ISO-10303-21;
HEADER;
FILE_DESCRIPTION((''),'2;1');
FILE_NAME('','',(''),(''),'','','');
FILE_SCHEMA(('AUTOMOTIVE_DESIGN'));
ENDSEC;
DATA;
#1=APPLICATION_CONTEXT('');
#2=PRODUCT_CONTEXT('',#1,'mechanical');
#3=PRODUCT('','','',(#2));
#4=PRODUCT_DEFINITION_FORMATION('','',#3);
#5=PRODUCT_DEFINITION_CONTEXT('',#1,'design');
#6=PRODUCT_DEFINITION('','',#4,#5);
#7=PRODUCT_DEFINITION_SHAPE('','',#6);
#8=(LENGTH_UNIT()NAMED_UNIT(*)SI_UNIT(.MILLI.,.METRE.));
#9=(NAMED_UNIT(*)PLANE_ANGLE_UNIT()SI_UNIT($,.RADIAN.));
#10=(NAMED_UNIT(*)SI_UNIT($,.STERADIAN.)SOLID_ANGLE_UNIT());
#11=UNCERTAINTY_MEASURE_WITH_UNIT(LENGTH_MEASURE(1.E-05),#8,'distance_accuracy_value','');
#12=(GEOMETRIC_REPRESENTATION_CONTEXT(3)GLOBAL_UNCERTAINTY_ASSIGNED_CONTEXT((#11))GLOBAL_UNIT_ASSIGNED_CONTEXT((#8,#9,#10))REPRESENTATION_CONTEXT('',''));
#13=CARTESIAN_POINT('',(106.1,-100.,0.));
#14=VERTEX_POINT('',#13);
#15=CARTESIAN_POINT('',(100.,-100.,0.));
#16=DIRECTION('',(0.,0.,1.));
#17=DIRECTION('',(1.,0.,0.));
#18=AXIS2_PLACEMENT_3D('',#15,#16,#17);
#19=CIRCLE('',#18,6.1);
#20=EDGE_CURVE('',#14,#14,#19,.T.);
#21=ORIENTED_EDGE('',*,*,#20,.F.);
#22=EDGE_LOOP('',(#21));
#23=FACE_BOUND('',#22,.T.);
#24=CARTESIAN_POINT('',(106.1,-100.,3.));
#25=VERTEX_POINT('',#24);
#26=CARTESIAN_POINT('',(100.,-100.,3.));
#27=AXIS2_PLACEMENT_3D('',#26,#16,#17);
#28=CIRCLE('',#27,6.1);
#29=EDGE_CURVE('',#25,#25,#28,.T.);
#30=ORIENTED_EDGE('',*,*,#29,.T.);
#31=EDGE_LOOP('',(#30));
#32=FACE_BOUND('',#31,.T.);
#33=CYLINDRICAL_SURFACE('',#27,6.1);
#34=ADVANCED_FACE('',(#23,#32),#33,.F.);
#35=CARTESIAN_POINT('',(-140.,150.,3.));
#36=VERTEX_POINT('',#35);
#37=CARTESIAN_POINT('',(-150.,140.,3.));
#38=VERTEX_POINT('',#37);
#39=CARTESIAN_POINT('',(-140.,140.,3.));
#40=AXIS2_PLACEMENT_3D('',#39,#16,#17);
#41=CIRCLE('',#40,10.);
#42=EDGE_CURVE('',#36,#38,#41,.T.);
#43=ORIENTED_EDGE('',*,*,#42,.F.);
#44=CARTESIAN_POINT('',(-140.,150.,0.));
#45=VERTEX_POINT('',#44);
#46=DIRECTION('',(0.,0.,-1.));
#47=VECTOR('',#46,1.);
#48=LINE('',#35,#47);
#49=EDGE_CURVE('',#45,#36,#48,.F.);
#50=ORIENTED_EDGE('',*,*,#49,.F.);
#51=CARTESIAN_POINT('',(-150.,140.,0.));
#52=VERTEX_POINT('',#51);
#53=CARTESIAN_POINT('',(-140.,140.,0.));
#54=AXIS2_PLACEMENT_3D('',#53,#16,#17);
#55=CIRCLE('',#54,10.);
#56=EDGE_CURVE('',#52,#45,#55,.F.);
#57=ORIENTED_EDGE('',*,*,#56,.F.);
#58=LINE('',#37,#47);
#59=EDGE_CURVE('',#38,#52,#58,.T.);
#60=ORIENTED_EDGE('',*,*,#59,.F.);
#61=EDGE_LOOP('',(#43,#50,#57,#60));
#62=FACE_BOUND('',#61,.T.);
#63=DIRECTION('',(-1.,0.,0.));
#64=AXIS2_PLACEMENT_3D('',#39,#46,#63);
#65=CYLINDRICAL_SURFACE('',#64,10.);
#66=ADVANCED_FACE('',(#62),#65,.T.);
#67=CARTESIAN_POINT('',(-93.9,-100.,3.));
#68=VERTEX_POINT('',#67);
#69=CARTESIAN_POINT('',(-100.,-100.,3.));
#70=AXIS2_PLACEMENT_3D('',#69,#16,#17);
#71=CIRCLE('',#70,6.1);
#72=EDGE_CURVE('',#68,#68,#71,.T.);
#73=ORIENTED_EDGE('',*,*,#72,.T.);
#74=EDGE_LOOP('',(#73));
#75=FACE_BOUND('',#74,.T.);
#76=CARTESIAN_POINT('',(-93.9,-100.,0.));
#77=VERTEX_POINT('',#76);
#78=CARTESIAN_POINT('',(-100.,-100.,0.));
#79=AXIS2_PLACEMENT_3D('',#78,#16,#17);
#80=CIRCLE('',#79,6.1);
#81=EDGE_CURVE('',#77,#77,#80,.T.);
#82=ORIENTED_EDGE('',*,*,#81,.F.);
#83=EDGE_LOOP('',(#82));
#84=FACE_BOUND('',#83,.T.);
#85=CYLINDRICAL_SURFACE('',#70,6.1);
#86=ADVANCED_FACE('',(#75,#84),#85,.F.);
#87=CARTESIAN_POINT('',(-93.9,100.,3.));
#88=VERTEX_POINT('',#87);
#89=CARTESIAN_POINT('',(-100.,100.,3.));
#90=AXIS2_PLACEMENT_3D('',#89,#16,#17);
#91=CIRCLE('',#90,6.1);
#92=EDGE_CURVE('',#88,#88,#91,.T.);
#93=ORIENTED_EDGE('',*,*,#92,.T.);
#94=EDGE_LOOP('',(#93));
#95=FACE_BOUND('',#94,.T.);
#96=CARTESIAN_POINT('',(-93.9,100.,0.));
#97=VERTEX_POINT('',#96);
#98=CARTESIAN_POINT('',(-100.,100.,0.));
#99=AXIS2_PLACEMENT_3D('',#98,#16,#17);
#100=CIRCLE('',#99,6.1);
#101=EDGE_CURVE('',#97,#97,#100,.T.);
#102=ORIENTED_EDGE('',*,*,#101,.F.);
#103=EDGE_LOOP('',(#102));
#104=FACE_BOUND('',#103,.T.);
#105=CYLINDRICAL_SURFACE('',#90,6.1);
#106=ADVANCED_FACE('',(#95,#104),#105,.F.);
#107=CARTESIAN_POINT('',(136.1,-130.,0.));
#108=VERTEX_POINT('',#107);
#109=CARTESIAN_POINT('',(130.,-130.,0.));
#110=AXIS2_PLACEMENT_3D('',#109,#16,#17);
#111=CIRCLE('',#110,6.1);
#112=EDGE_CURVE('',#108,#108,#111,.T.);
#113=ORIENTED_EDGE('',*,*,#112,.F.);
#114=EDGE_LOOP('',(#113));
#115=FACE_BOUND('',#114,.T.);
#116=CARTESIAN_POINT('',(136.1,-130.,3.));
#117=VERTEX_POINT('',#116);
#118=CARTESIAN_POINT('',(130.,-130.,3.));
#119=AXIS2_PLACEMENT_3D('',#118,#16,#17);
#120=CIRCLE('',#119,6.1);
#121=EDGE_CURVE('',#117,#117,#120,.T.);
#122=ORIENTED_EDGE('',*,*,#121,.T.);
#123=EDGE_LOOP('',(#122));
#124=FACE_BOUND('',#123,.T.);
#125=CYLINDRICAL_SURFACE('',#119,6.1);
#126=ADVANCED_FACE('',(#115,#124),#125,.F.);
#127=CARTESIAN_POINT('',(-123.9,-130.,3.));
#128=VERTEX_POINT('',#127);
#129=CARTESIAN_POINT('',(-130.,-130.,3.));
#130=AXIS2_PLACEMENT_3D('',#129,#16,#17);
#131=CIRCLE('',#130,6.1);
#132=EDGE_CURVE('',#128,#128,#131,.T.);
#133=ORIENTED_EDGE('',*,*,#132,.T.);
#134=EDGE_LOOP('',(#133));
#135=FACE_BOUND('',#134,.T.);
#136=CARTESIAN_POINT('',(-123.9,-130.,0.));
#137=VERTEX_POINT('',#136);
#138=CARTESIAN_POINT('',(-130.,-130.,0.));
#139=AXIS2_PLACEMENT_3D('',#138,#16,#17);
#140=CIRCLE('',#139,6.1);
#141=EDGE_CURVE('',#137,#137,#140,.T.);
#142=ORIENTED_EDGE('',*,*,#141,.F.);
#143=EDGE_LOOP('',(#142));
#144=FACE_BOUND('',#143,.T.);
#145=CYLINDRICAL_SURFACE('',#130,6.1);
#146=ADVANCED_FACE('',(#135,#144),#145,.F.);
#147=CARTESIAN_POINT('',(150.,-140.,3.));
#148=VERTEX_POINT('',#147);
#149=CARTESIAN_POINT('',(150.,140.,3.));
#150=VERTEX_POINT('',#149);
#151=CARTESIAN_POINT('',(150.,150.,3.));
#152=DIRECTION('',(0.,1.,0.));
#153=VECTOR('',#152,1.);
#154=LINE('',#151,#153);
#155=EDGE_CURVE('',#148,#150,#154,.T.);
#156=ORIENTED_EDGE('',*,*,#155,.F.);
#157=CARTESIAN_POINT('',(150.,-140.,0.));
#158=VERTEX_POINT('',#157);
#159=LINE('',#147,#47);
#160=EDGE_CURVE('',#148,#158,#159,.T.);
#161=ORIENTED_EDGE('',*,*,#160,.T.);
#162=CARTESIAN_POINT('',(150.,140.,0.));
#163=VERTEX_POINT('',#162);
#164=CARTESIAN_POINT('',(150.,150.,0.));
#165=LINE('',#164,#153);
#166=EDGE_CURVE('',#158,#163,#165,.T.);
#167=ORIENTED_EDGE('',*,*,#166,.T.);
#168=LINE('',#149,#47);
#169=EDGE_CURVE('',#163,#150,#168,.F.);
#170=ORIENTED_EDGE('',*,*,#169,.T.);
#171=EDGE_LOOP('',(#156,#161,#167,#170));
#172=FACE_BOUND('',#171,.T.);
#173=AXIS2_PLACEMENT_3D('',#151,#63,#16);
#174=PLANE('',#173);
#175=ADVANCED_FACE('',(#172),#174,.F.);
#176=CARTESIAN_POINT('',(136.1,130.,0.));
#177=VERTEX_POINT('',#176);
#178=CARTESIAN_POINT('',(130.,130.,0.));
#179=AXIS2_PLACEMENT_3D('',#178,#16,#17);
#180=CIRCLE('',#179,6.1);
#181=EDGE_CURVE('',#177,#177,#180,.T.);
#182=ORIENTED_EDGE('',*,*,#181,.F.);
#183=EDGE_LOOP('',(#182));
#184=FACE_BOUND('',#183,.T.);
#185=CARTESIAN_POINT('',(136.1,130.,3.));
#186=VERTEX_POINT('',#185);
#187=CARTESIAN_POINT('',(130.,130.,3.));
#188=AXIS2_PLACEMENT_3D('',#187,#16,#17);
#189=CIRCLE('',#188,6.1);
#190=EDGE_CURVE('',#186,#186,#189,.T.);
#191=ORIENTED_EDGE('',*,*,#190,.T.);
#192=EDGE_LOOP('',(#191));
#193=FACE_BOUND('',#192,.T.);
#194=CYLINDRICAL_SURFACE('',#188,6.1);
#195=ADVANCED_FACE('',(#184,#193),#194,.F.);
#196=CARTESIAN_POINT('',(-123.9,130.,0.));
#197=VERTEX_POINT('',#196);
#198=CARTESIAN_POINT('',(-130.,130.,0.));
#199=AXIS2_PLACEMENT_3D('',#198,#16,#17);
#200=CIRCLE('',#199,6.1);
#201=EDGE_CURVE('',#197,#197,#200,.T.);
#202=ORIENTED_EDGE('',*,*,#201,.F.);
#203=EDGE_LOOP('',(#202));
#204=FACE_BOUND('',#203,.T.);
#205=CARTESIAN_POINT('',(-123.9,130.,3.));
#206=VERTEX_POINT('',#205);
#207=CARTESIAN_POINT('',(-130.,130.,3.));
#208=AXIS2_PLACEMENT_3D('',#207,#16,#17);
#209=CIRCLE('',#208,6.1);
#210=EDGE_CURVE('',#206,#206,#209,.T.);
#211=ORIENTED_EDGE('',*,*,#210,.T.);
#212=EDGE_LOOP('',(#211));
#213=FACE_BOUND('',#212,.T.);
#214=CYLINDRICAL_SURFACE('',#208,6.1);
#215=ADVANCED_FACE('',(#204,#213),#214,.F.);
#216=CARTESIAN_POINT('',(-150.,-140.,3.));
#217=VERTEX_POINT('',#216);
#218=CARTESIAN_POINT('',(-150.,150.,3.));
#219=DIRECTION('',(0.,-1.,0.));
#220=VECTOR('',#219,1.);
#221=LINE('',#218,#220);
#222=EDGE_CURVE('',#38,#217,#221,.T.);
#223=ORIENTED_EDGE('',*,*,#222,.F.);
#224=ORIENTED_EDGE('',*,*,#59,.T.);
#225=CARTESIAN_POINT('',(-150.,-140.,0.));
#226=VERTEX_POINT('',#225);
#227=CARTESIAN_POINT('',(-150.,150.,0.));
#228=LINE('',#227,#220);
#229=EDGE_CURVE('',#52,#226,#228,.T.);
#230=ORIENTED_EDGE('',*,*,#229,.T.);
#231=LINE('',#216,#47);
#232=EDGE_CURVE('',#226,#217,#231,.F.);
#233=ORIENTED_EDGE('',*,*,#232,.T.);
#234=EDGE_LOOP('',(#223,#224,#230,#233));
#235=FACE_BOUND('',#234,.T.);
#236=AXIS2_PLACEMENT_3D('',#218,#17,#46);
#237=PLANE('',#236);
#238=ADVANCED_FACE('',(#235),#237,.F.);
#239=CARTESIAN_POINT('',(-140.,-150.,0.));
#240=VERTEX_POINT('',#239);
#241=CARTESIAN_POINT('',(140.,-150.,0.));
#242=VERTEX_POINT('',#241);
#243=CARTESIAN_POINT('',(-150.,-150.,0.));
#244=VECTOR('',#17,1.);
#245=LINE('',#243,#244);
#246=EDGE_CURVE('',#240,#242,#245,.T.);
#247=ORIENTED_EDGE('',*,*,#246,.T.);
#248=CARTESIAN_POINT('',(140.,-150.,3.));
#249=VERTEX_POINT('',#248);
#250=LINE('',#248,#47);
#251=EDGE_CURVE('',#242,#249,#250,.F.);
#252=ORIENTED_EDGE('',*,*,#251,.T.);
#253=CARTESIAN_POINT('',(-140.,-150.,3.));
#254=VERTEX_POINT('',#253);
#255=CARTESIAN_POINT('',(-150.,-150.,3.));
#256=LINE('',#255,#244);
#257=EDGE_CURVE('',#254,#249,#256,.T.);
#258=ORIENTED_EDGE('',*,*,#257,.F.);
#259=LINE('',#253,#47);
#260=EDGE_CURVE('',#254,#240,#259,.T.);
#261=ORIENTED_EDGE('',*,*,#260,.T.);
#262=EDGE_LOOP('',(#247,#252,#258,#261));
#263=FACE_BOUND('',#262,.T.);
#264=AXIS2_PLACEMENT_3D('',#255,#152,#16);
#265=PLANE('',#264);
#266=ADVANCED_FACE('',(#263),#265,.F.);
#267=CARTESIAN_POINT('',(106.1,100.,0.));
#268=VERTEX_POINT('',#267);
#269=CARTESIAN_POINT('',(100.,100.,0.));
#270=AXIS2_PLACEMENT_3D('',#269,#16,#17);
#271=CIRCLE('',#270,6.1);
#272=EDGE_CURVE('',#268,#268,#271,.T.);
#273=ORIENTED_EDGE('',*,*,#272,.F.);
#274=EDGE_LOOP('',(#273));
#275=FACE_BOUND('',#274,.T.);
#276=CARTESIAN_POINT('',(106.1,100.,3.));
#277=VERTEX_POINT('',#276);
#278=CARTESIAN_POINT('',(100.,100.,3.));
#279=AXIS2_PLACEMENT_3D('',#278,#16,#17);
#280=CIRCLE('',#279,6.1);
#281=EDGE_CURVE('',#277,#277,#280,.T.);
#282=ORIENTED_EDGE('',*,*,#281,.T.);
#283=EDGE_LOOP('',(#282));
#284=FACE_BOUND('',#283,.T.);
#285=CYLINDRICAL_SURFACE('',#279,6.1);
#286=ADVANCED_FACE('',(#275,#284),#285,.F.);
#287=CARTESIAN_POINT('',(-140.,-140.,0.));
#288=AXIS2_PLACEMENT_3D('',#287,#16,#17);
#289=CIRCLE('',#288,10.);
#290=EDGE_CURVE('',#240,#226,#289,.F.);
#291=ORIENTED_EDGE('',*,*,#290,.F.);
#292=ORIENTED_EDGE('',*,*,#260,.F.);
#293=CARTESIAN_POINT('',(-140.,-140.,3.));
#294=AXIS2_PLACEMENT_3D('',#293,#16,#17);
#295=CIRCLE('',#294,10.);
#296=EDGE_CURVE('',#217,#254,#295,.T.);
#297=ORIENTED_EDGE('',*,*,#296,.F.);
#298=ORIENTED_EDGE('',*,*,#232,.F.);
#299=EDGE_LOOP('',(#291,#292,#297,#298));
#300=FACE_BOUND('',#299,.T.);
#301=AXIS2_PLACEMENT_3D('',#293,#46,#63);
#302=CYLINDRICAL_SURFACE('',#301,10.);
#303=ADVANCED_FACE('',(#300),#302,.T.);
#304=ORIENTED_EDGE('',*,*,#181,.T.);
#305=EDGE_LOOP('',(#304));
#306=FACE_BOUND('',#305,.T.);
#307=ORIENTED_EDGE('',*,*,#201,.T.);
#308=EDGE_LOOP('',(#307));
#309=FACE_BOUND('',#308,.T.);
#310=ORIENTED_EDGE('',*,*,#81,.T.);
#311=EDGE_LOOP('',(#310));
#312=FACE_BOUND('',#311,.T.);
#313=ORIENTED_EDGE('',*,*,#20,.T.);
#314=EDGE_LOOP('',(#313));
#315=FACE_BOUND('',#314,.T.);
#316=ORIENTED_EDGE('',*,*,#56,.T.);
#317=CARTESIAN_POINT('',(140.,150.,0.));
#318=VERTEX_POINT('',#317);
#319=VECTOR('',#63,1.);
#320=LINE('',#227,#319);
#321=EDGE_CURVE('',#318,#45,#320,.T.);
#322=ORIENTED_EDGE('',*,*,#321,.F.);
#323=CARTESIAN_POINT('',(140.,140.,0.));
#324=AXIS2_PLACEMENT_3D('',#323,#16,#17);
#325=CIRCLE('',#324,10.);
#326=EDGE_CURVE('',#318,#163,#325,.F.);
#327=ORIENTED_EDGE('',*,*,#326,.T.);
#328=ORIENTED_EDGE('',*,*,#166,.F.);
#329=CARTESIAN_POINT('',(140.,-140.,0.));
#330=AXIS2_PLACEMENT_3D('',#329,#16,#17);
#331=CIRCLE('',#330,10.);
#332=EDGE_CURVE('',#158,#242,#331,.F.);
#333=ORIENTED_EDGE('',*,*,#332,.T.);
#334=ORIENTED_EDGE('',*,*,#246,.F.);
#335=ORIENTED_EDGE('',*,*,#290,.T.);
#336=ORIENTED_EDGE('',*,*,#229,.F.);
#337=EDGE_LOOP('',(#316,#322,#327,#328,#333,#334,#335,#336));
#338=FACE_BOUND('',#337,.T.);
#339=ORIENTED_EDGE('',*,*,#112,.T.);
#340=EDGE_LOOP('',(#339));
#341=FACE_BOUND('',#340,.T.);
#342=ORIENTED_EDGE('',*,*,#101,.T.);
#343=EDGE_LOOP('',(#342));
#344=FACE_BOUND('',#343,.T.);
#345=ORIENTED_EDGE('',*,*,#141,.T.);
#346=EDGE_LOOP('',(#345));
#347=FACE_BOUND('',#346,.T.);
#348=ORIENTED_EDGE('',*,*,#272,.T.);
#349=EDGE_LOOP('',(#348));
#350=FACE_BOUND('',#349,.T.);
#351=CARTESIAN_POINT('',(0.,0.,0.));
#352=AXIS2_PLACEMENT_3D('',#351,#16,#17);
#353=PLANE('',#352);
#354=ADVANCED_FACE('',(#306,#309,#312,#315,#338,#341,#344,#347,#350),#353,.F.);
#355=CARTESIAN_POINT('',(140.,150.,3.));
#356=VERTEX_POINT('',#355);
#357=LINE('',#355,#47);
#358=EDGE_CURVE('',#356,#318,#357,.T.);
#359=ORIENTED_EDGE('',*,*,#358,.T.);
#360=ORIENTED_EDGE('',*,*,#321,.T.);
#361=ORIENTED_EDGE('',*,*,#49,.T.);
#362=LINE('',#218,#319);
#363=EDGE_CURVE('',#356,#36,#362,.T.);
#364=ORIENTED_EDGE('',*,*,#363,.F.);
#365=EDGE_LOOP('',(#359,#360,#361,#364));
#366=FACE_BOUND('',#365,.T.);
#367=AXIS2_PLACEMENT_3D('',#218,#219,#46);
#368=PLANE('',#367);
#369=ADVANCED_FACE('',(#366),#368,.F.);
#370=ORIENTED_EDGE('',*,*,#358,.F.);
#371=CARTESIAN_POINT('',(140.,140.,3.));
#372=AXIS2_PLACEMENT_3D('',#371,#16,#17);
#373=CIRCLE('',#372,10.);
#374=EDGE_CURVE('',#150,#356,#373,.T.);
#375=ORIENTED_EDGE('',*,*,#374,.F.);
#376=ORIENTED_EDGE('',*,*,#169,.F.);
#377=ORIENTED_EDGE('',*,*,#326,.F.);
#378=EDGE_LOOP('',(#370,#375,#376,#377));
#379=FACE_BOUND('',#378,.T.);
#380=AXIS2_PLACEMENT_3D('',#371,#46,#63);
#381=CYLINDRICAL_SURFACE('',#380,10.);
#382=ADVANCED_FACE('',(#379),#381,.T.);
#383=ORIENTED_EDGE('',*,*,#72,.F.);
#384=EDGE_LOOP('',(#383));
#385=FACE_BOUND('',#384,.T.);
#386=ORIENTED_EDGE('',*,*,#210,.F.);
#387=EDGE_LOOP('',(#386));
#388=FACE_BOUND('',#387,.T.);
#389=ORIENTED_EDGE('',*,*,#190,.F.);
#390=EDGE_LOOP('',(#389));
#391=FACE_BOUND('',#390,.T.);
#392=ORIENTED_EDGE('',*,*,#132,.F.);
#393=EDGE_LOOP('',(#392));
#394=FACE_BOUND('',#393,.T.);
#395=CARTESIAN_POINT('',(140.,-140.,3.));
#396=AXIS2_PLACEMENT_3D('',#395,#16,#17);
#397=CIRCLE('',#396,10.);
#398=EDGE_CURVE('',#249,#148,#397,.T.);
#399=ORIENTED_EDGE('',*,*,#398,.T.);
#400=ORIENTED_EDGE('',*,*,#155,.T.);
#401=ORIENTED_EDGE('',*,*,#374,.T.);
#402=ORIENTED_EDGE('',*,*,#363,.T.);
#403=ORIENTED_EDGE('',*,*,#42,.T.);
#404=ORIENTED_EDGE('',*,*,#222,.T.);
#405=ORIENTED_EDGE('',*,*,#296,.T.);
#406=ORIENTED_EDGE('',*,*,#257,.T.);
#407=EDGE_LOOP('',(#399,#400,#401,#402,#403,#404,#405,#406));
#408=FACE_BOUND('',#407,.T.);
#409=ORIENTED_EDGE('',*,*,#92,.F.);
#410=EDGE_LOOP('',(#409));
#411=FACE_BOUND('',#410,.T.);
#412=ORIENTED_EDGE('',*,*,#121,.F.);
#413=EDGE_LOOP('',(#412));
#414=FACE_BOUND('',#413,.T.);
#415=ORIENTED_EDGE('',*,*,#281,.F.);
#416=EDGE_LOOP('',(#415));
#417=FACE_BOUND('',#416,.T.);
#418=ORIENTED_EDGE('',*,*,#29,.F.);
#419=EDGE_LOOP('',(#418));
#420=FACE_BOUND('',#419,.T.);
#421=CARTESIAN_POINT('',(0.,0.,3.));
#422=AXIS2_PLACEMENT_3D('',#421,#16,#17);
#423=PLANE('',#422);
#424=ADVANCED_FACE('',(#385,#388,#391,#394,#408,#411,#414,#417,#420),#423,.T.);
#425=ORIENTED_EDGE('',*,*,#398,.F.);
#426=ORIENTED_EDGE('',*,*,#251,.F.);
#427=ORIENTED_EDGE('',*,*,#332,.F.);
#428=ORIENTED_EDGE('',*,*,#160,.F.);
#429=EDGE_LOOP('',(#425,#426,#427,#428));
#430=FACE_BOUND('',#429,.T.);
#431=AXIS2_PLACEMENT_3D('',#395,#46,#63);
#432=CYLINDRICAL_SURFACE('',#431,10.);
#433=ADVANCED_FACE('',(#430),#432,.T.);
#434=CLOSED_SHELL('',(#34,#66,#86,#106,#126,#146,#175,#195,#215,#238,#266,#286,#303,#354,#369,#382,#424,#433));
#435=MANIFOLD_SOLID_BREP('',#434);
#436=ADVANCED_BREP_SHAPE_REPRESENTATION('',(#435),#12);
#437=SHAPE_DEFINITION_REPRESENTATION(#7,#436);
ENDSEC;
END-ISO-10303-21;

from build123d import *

# Parameters (mm, degrees)
SKETCH1_W                        = 300
SKETCH1_H                        = 300
BOSS_EXTRUDE1_DEPTH              = 3
F_12_2_12_2_DIAMETER_HOLE1_D     = 12.2
F_12_2_12_2_DIAMETER_HOLE1_DEPTH = 23
F_12_2_12_2_DIAMETER_HOLE1_TIP   = 3.665249776
FILLET1_R                        = 10


with BuildPart() as part:
    # Sketch1 → Boss-Extrude1 (new body)
    with BuildSketch(Plane.XY):
        Rectangle(SKETCH1_W, SKETCH1_H)
    extrude(amount=BOSS_EXTRUDE1_DEPTH)

    # Ø12.2 (12.2) Diameter Hole1
    with Locations(Plane.XY.offset(3)):
        with Locations((-130, -130), (-100, -100), (130, -130), (100, -100), (130, 130), (-100, 100), (-130, 130), (100, 100)):
            Hole(F_12_2_12_2_DIAMETER_HOLE1_D / 2, depth=F_12_2_12_2_DIAMETER_HOLE1_DEPTH)
            with Locations((0, 0, -(F_12_2_12_2_DIAMETER_HOLE1_DEPTH + F_12_2_12_2_DIAMETER_HOLE1_TIP / 2))):  # 118° drill point
                Cone(0, F_12_2_12_2_DIAMETER_HOLE1_D / 2, F_12_2_12_2_DIAMETER_HOLE1_TIP, mode=Mode.SUBTRACT)

    # Fillet1
    fillet1_edges = [part.edges().sort_by_distance(p)[0] for p in [
        (150, -150, 1.5),
        (-150, -150, 1.5),
        (-150, 150, 1.5),
        (150, 150, 1.5),
    ]]
    fillet(fillet1_edges, radius=FILLET1_R)


solid = part.part
